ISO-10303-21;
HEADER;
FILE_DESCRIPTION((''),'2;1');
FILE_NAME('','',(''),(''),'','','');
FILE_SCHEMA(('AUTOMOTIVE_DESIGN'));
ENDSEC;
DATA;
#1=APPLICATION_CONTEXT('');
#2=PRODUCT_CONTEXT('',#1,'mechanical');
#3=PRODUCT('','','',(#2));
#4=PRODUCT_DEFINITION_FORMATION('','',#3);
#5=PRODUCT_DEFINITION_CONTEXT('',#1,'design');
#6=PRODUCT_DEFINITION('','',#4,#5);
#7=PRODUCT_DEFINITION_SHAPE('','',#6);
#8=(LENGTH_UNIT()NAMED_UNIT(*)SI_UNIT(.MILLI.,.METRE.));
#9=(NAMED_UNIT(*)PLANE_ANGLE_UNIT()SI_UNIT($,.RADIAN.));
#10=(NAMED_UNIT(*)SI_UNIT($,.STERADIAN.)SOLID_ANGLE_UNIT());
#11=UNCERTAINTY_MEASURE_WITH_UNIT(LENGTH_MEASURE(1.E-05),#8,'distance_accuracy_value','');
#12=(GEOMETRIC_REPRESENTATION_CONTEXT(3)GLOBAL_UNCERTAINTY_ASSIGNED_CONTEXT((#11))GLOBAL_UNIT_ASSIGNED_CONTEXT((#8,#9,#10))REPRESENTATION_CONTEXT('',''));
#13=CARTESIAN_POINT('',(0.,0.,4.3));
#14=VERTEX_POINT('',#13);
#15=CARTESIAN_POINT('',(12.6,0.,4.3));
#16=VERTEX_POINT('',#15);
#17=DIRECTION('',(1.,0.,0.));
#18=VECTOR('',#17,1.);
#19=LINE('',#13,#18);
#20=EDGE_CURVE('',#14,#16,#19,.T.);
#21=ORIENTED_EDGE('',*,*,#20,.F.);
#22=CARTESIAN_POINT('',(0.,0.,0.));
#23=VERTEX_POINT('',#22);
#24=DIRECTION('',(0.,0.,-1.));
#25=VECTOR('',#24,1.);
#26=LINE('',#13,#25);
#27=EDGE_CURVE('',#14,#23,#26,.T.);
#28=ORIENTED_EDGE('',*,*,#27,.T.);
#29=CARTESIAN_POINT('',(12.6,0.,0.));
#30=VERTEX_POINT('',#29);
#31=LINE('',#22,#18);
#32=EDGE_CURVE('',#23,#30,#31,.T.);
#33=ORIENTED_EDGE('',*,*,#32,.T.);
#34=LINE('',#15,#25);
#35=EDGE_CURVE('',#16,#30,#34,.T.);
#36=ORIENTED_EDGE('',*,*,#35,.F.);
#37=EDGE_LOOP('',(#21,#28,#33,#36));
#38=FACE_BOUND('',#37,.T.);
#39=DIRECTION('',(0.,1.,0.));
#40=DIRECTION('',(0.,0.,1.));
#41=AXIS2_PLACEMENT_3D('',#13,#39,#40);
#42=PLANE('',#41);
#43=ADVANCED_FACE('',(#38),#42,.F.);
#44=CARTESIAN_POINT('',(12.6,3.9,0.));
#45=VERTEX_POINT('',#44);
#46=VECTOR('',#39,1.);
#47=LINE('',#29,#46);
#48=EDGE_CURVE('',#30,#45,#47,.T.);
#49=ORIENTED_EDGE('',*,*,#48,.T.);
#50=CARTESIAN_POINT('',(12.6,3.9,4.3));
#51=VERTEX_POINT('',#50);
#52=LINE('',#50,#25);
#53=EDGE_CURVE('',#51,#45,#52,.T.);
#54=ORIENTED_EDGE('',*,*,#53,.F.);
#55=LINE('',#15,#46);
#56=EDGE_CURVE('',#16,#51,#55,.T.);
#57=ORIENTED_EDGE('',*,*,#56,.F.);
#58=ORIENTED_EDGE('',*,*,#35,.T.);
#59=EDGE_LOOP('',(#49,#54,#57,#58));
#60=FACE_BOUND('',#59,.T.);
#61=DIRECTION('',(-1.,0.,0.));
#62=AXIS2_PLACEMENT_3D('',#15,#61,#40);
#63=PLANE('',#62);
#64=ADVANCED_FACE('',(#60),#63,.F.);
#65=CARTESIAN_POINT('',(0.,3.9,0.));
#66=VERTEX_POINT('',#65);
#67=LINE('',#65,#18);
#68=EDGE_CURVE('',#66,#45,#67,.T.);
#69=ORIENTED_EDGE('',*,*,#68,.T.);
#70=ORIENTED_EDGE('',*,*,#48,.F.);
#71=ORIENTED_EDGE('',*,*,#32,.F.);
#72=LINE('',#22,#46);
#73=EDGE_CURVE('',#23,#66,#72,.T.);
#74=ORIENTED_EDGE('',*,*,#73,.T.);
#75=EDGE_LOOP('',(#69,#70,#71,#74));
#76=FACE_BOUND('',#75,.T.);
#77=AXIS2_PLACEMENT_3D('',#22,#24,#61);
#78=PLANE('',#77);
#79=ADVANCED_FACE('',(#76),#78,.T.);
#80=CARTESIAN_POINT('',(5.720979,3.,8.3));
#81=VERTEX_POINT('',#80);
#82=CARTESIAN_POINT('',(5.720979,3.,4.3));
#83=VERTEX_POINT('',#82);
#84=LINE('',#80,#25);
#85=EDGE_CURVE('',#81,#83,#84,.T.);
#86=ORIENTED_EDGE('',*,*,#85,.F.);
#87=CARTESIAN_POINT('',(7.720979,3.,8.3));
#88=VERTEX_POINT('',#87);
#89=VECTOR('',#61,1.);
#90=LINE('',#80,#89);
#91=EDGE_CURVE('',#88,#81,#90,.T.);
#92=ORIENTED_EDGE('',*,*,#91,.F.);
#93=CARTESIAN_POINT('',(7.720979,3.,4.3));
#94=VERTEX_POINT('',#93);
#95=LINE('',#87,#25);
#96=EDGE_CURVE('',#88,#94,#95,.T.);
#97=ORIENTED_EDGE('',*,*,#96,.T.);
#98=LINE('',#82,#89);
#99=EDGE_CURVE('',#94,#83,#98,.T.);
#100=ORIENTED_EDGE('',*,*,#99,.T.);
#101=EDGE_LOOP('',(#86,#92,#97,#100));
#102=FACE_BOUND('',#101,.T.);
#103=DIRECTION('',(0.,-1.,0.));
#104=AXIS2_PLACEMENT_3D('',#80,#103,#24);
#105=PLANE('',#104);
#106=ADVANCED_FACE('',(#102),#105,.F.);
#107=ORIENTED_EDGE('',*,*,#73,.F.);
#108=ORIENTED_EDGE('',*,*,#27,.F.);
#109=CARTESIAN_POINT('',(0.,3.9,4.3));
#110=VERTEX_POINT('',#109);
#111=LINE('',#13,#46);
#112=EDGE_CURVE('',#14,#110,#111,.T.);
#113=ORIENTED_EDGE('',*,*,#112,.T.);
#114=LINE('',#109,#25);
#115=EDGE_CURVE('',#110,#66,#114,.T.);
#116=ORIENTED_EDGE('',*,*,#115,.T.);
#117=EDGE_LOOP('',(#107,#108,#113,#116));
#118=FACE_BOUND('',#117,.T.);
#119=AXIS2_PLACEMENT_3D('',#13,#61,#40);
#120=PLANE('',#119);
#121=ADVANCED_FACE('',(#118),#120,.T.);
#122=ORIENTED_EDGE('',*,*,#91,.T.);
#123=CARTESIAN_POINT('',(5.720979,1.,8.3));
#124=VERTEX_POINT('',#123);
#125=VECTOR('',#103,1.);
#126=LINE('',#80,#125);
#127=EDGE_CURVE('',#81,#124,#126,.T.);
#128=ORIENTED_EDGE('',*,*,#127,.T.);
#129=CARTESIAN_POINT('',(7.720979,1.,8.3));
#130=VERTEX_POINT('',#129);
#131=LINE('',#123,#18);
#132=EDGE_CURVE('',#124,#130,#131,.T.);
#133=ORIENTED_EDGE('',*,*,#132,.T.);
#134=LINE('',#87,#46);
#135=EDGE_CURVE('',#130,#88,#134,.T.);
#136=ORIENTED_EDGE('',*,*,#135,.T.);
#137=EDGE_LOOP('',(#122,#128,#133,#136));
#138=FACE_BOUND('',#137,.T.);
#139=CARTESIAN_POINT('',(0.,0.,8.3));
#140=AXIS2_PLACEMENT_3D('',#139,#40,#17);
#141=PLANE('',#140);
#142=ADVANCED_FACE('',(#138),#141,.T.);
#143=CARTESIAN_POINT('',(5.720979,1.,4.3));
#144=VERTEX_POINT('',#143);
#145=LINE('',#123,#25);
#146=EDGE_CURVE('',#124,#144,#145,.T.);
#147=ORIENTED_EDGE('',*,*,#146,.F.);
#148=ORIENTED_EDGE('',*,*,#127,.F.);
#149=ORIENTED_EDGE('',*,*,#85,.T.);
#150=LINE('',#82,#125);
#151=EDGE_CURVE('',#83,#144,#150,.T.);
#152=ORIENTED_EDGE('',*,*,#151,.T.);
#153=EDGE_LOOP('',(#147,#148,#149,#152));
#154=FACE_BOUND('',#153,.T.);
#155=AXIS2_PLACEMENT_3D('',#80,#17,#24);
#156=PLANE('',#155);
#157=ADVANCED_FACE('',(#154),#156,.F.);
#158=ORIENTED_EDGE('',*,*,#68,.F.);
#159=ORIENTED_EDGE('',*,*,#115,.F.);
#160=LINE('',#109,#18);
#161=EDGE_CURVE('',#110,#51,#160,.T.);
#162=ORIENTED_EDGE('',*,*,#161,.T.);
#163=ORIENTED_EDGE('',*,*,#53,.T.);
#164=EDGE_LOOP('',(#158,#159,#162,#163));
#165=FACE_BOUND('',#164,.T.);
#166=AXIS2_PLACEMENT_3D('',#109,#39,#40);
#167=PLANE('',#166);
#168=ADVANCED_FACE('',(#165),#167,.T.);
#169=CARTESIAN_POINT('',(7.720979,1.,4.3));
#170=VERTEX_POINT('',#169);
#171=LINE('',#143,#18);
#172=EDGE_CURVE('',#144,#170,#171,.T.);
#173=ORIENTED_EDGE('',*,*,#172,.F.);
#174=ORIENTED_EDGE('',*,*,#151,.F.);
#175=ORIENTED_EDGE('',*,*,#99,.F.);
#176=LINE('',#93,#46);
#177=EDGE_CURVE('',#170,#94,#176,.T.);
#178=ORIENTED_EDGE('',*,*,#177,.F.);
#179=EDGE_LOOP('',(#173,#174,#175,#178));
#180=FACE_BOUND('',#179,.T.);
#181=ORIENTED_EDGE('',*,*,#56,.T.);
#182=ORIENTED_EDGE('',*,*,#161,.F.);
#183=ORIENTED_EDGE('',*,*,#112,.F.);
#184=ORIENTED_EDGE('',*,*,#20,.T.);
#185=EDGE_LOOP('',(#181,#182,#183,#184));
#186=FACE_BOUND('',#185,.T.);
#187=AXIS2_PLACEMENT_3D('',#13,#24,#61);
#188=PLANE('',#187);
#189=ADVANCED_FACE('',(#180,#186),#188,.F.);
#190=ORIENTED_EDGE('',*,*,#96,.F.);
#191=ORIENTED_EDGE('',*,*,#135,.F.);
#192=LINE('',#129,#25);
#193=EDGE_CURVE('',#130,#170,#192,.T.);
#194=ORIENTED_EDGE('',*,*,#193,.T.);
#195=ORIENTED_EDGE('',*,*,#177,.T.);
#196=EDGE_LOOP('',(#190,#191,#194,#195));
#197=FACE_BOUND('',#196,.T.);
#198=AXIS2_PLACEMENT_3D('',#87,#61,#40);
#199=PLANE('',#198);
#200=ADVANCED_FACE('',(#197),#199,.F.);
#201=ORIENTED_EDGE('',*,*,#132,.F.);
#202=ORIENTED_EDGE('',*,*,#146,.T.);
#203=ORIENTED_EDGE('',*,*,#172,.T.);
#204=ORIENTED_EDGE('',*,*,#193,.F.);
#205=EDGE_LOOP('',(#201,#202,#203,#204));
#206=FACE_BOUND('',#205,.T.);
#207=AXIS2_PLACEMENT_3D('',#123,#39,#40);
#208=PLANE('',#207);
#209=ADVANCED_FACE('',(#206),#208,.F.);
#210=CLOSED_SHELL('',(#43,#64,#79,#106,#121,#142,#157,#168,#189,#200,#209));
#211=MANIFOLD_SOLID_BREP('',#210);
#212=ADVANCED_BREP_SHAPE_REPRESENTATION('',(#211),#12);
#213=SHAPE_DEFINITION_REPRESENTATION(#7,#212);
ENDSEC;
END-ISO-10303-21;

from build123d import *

# Parameters (mm, degrees)
SKETCH1_W           = 12.6
SKETCH1_H           = 3.9
BOSS_EXTRUDE1_DEPTH = 4.3
SKETCH2_W           = 2
SKETCH2_H           = 2
BOSS_EXTRUDE2_DEPTH = 4


with BuildPart() as part:
    # Sketch1 → Boss-Extrude1 (new body)
    with BuildSketch(Plane.XY):
        with Locations((6.3, 1.95)):
            Rectangle(SKETCH1_W, SKETCH1_H)
    extrude(amount=BOSS_EXTRUDE1_DEPTH)

    # Sketch2 → Boss-Extrude2 (add)
    with BuildSketch(Plane.XY.offset(4.3)):
        with Locations((6.720978675, 2)):
            Rectangle(SKETCH2_W, SKETCH2_H)
    extrude(amount=BOSS_EXTRUDE2_DEPTH)


solid = part.part
